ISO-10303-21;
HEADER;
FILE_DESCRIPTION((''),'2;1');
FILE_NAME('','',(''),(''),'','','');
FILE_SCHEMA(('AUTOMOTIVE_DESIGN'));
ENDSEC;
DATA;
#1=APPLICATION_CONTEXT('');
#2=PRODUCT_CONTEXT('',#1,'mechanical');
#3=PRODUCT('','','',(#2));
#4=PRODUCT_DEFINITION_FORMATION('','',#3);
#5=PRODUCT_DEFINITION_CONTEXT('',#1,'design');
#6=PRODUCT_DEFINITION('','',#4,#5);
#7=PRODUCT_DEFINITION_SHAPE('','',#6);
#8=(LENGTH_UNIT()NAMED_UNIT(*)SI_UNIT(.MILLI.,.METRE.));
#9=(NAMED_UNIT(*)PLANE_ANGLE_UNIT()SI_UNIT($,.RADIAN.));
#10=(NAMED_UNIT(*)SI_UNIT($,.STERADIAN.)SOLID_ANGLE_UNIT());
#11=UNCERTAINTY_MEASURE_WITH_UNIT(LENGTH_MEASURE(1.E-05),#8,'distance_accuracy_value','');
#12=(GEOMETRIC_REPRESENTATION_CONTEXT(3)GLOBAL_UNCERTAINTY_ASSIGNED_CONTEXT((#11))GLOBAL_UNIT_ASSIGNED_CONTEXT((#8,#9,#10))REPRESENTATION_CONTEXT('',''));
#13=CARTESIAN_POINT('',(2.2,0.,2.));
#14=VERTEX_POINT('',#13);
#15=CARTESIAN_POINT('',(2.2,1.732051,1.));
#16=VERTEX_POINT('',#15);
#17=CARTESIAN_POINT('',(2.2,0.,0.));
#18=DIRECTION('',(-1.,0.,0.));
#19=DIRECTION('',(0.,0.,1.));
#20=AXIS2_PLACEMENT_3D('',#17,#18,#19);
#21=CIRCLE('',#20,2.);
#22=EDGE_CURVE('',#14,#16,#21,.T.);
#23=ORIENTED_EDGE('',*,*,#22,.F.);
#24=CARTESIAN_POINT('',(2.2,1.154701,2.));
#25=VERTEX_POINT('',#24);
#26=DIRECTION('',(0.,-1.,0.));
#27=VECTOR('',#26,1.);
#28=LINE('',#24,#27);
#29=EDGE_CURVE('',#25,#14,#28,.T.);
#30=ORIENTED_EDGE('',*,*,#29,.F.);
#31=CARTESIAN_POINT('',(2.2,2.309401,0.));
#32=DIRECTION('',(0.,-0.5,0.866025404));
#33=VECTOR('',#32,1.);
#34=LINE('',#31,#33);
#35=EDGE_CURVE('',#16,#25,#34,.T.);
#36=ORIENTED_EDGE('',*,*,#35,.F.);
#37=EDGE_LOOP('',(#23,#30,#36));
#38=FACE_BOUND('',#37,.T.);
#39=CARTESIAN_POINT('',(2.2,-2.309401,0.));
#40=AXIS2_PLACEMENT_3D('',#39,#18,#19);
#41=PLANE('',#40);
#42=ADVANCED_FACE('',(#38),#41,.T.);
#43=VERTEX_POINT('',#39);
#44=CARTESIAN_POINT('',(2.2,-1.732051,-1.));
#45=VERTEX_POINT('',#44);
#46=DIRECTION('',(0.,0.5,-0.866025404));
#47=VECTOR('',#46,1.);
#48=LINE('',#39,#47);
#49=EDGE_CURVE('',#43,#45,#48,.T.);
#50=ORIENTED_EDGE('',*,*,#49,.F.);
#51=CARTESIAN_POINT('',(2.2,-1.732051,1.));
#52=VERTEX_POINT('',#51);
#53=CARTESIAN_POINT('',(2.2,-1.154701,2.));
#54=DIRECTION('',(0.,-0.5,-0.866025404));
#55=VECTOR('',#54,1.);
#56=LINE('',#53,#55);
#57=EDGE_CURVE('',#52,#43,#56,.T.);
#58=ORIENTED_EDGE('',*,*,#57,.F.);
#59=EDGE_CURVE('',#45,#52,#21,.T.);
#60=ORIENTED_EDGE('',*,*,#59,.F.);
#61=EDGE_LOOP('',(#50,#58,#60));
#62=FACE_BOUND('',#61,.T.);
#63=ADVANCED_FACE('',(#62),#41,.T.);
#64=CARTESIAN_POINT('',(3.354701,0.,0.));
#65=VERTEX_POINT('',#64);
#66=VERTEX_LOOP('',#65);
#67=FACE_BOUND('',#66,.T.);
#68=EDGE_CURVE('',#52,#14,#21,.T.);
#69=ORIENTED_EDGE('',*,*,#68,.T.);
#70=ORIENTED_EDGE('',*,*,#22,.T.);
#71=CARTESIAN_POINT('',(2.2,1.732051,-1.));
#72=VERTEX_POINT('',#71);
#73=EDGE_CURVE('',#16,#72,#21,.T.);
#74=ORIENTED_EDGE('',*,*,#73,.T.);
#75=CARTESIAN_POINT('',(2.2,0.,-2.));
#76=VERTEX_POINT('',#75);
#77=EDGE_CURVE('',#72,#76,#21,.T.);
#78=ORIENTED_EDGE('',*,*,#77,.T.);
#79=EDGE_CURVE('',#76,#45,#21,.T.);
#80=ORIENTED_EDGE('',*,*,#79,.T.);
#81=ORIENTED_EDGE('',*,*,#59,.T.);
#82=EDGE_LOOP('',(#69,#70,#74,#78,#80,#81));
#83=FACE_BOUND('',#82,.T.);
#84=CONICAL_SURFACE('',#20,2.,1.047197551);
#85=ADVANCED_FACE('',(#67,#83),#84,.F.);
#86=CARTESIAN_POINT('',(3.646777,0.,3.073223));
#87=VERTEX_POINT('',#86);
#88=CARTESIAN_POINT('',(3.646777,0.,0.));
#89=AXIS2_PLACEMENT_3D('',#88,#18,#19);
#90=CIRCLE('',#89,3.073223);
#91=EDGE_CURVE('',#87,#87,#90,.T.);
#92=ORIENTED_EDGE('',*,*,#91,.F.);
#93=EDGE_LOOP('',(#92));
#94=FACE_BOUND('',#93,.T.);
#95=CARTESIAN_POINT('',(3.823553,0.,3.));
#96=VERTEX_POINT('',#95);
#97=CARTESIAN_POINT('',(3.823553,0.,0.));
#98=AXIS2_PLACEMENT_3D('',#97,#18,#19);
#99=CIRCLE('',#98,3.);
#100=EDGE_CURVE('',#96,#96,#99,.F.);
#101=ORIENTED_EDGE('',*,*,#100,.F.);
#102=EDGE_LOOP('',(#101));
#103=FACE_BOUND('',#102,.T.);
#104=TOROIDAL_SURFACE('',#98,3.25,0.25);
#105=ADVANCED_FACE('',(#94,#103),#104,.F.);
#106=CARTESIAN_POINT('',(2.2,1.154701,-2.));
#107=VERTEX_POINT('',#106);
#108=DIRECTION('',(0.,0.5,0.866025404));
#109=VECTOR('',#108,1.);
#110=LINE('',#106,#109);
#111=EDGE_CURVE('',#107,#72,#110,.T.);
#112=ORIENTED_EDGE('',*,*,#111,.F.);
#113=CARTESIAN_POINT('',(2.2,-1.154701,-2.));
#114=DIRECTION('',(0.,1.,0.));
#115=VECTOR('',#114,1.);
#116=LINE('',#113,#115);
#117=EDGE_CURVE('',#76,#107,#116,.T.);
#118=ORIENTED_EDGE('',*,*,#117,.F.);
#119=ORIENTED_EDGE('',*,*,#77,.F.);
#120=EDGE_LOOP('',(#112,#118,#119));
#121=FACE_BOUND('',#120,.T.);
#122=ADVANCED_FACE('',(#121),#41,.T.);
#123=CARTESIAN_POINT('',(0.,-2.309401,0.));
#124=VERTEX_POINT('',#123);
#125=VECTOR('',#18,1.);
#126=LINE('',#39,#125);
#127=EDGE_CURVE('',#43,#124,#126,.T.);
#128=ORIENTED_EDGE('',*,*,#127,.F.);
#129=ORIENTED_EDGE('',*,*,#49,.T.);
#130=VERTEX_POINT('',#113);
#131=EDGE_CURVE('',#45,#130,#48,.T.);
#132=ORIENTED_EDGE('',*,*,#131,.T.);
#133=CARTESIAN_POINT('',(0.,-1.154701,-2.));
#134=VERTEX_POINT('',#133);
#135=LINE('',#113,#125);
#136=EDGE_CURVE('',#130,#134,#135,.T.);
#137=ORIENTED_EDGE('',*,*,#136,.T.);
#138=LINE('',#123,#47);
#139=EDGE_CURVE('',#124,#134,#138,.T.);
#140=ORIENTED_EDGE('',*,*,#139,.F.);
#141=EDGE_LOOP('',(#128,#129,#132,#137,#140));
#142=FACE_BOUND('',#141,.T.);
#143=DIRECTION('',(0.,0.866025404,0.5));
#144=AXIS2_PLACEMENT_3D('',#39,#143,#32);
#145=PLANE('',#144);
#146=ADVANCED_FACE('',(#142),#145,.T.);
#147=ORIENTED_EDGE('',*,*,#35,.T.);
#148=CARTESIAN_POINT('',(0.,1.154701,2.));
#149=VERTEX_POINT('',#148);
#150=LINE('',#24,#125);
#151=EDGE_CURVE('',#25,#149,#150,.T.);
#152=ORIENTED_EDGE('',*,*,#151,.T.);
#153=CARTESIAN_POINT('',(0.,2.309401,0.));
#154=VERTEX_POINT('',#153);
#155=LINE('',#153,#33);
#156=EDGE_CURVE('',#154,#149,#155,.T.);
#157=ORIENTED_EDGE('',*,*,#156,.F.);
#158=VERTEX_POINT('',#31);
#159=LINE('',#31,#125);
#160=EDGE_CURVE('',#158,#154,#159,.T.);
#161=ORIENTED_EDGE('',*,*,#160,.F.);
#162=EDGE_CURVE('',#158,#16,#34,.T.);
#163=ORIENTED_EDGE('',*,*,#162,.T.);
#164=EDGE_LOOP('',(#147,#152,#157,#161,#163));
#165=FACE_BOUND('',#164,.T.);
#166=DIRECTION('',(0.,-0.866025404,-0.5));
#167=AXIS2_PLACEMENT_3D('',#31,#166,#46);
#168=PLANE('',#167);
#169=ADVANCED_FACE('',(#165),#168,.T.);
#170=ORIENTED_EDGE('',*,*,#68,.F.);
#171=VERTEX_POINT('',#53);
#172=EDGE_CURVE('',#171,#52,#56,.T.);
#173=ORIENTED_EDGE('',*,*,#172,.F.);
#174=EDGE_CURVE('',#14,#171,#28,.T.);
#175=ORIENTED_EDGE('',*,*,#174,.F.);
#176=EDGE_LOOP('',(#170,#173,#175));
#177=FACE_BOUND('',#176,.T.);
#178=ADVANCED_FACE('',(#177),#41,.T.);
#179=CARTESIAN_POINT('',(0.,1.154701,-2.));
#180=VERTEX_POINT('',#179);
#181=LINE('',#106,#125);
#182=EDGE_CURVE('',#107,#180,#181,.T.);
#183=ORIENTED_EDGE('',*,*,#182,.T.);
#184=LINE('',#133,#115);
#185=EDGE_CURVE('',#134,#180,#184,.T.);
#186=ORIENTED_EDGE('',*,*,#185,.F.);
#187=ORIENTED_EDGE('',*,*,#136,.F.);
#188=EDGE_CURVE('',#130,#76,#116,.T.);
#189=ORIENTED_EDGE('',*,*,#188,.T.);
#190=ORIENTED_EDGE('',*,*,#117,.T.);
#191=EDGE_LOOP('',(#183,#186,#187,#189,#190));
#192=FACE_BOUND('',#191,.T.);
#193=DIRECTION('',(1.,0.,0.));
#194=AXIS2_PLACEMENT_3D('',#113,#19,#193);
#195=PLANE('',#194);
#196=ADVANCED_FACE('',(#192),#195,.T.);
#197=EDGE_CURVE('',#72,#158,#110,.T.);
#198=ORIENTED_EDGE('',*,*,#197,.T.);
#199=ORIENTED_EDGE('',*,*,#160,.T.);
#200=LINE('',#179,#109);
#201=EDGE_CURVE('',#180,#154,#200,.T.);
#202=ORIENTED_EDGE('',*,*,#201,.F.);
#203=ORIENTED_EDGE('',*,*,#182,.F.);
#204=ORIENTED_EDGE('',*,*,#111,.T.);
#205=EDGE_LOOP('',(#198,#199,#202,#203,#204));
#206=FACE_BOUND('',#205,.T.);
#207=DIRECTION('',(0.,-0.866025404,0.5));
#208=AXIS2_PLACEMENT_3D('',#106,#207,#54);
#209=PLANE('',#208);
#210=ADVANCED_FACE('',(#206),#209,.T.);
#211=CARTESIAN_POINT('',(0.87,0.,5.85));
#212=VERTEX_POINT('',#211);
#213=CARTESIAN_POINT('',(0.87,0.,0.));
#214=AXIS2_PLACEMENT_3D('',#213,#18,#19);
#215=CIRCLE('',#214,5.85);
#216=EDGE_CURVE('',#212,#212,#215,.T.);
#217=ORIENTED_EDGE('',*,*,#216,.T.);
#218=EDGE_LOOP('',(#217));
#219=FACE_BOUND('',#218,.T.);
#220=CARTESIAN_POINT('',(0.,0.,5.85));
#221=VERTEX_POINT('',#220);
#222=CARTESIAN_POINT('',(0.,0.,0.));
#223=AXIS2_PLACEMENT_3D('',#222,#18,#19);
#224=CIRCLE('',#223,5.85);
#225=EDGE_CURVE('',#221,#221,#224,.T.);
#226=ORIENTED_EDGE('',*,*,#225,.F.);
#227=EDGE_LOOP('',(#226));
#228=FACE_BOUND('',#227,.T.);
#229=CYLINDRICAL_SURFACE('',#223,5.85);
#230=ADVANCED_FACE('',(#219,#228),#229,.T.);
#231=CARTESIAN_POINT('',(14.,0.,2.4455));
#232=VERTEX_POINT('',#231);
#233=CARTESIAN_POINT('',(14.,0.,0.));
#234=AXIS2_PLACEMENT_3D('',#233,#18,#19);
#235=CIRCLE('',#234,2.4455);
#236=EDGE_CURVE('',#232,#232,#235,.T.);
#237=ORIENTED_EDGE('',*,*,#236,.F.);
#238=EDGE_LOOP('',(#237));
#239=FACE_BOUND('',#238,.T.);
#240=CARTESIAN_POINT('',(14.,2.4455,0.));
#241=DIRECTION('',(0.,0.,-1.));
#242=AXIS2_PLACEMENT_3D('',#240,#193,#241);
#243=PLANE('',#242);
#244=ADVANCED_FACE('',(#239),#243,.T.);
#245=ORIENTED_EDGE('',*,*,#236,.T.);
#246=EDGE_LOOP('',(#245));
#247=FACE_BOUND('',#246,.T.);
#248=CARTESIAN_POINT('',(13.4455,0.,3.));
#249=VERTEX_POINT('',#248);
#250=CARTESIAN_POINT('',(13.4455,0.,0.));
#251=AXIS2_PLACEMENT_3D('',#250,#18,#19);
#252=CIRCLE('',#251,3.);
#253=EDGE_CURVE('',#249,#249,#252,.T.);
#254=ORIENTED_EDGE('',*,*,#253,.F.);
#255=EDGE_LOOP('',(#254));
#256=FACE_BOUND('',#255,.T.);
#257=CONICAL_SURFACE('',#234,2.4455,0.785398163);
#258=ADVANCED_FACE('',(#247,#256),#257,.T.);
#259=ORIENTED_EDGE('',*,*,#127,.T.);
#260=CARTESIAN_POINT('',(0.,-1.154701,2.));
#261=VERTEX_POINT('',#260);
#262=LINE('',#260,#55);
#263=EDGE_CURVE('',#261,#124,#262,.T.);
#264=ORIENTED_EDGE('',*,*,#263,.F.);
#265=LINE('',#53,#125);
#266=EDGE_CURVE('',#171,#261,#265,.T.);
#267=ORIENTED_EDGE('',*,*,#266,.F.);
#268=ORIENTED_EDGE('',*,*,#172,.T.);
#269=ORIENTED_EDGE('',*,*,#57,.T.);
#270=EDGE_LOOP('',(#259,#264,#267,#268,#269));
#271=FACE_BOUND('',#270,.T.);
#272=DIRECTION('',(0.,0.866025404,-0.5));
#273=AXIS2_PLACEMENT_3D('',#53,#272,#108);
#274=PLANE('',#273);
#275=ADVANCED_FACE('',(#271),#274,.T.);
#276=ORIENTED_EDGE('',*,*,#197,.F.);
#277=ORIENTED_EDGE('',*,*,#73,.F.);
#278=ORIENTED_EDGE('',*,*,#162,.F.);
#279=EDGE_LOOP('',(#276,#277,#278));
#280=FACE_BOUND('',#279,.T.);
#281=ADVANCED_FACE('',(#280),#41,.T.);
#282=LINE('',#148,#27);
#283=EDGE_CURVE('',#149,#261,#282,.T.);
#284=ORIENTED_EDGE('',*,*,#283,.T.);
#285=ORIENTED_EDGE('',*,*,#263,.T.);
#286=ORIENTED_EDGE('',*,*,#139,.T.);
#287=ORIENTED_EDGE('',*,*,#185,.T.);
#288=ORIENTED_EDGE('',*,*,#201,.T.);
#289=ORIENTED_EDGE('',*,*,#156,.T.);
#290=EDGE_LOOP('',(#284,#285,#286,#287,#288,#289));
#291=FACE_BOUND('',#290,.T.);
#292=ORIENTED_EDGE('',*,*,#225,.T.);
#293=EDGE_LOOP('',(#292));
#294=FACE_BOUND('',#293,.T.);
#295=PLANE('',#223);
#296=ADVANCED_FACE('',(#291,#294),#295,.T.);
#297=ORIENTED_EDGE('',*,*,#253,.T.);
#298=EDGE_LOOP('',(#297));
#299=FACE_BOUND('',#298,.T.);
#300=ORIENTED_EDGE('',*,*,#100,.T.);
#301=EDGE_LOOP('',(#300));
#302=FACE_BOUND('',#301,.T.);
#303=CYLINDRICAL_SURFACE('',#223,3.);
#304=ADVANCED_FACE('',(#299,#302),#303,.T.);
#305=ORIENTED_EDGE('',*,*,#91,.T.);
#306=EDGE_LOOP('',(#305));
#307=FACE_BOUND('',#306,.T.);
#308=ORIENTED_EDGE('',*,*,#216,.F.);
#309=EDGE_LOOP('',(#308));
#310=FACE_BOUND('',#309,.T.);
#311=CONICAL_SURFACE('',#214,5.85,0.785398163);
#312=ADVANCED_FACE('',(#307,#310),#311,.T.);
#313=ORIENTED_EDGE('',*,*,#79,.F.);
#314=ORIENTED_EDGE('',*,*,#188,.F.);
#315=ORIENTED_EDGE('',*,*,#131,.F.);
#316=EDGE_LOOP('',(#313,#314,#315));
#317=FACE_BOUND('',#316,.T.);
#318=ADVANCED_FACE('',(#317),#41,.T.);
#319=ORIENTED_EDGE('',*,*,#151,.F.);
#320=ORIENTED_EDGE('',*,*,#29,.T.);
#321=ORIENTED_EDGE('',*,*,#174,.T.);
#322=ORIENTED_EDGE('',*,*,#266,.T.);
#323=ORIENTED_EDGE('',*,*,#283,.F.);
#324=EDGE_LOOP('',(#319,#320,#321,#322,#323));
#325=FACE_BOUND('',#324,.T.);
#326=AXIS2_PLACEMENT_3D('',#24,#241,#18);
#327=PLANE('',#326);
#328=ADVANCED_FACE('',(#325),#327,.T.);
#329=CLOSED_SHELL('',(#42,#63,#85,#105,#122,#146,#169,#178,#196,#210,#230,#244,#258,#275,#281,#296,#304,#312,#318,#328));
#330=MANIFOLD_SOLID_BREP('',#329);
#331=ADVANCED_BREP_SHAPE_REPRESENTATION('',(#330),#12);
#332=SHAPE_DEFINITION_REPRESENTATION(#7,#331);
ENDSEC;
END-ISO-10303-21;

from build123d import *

# Parameters (mm, degrees)
FILLET1_R   = 0.25
HEX_2_DEPTH = 2.2


with BuildPart() as part:
    # BodySke → BaseBody (revolve)
    with BuildSketch(Plane.XY, mode=Mode.PRIVATE) as basebody_sk:
        Polygon((0, 0), (0, 5.85), (0.87, 5.85), (3.72, 3), (13.4455, 3), (14, 2.4455), (14, 0), align=None)
    revolve(basebody_sk.sketch.rotate(Axis((0, 0, 0), (1, 0, 0)), 90), axis=Axis((0, 0, 0), (1, 0, 0)))

    # Fillet1
    fillet1_edges = [part.edges().sort_by_distance(p)[0] for p in [
        (3.72, 0, -3),
    ]]
    fillet(fillet1_edges, radius=FILLET1_R)

    # Sketch2 → PreBroach (revolve, cut)
    with BuildSketch(Plane.XY, mode=Mode.PRIVATE) as prebroach_sk:
        Polygon((0, 2), (2.2, 2), (3.354700538, 0), (0, 0), align=None)
    revolve(prebroach_sk.sketch.rotate(Axis((0, 0, 0), (1, 0, 0)), 90), axis=Axis((0, 0, 0), (1, 0, 0)), mode=Mode.SUBTRACT)

    # Sketch3 → Hex 2 (cut)
    with BuildSketch(Plane.ZY):
        Polygon((-2, -1.154700538), (-2, 1.154700538), (0, 2.309401077), (2, 1.154700538), (2, -1.154700538), (0, -2.309401077), align=None)
    extrude(amount=-HEX_2_DEPTH, mode=Mode.SUBTRACT)


solid = part.part
